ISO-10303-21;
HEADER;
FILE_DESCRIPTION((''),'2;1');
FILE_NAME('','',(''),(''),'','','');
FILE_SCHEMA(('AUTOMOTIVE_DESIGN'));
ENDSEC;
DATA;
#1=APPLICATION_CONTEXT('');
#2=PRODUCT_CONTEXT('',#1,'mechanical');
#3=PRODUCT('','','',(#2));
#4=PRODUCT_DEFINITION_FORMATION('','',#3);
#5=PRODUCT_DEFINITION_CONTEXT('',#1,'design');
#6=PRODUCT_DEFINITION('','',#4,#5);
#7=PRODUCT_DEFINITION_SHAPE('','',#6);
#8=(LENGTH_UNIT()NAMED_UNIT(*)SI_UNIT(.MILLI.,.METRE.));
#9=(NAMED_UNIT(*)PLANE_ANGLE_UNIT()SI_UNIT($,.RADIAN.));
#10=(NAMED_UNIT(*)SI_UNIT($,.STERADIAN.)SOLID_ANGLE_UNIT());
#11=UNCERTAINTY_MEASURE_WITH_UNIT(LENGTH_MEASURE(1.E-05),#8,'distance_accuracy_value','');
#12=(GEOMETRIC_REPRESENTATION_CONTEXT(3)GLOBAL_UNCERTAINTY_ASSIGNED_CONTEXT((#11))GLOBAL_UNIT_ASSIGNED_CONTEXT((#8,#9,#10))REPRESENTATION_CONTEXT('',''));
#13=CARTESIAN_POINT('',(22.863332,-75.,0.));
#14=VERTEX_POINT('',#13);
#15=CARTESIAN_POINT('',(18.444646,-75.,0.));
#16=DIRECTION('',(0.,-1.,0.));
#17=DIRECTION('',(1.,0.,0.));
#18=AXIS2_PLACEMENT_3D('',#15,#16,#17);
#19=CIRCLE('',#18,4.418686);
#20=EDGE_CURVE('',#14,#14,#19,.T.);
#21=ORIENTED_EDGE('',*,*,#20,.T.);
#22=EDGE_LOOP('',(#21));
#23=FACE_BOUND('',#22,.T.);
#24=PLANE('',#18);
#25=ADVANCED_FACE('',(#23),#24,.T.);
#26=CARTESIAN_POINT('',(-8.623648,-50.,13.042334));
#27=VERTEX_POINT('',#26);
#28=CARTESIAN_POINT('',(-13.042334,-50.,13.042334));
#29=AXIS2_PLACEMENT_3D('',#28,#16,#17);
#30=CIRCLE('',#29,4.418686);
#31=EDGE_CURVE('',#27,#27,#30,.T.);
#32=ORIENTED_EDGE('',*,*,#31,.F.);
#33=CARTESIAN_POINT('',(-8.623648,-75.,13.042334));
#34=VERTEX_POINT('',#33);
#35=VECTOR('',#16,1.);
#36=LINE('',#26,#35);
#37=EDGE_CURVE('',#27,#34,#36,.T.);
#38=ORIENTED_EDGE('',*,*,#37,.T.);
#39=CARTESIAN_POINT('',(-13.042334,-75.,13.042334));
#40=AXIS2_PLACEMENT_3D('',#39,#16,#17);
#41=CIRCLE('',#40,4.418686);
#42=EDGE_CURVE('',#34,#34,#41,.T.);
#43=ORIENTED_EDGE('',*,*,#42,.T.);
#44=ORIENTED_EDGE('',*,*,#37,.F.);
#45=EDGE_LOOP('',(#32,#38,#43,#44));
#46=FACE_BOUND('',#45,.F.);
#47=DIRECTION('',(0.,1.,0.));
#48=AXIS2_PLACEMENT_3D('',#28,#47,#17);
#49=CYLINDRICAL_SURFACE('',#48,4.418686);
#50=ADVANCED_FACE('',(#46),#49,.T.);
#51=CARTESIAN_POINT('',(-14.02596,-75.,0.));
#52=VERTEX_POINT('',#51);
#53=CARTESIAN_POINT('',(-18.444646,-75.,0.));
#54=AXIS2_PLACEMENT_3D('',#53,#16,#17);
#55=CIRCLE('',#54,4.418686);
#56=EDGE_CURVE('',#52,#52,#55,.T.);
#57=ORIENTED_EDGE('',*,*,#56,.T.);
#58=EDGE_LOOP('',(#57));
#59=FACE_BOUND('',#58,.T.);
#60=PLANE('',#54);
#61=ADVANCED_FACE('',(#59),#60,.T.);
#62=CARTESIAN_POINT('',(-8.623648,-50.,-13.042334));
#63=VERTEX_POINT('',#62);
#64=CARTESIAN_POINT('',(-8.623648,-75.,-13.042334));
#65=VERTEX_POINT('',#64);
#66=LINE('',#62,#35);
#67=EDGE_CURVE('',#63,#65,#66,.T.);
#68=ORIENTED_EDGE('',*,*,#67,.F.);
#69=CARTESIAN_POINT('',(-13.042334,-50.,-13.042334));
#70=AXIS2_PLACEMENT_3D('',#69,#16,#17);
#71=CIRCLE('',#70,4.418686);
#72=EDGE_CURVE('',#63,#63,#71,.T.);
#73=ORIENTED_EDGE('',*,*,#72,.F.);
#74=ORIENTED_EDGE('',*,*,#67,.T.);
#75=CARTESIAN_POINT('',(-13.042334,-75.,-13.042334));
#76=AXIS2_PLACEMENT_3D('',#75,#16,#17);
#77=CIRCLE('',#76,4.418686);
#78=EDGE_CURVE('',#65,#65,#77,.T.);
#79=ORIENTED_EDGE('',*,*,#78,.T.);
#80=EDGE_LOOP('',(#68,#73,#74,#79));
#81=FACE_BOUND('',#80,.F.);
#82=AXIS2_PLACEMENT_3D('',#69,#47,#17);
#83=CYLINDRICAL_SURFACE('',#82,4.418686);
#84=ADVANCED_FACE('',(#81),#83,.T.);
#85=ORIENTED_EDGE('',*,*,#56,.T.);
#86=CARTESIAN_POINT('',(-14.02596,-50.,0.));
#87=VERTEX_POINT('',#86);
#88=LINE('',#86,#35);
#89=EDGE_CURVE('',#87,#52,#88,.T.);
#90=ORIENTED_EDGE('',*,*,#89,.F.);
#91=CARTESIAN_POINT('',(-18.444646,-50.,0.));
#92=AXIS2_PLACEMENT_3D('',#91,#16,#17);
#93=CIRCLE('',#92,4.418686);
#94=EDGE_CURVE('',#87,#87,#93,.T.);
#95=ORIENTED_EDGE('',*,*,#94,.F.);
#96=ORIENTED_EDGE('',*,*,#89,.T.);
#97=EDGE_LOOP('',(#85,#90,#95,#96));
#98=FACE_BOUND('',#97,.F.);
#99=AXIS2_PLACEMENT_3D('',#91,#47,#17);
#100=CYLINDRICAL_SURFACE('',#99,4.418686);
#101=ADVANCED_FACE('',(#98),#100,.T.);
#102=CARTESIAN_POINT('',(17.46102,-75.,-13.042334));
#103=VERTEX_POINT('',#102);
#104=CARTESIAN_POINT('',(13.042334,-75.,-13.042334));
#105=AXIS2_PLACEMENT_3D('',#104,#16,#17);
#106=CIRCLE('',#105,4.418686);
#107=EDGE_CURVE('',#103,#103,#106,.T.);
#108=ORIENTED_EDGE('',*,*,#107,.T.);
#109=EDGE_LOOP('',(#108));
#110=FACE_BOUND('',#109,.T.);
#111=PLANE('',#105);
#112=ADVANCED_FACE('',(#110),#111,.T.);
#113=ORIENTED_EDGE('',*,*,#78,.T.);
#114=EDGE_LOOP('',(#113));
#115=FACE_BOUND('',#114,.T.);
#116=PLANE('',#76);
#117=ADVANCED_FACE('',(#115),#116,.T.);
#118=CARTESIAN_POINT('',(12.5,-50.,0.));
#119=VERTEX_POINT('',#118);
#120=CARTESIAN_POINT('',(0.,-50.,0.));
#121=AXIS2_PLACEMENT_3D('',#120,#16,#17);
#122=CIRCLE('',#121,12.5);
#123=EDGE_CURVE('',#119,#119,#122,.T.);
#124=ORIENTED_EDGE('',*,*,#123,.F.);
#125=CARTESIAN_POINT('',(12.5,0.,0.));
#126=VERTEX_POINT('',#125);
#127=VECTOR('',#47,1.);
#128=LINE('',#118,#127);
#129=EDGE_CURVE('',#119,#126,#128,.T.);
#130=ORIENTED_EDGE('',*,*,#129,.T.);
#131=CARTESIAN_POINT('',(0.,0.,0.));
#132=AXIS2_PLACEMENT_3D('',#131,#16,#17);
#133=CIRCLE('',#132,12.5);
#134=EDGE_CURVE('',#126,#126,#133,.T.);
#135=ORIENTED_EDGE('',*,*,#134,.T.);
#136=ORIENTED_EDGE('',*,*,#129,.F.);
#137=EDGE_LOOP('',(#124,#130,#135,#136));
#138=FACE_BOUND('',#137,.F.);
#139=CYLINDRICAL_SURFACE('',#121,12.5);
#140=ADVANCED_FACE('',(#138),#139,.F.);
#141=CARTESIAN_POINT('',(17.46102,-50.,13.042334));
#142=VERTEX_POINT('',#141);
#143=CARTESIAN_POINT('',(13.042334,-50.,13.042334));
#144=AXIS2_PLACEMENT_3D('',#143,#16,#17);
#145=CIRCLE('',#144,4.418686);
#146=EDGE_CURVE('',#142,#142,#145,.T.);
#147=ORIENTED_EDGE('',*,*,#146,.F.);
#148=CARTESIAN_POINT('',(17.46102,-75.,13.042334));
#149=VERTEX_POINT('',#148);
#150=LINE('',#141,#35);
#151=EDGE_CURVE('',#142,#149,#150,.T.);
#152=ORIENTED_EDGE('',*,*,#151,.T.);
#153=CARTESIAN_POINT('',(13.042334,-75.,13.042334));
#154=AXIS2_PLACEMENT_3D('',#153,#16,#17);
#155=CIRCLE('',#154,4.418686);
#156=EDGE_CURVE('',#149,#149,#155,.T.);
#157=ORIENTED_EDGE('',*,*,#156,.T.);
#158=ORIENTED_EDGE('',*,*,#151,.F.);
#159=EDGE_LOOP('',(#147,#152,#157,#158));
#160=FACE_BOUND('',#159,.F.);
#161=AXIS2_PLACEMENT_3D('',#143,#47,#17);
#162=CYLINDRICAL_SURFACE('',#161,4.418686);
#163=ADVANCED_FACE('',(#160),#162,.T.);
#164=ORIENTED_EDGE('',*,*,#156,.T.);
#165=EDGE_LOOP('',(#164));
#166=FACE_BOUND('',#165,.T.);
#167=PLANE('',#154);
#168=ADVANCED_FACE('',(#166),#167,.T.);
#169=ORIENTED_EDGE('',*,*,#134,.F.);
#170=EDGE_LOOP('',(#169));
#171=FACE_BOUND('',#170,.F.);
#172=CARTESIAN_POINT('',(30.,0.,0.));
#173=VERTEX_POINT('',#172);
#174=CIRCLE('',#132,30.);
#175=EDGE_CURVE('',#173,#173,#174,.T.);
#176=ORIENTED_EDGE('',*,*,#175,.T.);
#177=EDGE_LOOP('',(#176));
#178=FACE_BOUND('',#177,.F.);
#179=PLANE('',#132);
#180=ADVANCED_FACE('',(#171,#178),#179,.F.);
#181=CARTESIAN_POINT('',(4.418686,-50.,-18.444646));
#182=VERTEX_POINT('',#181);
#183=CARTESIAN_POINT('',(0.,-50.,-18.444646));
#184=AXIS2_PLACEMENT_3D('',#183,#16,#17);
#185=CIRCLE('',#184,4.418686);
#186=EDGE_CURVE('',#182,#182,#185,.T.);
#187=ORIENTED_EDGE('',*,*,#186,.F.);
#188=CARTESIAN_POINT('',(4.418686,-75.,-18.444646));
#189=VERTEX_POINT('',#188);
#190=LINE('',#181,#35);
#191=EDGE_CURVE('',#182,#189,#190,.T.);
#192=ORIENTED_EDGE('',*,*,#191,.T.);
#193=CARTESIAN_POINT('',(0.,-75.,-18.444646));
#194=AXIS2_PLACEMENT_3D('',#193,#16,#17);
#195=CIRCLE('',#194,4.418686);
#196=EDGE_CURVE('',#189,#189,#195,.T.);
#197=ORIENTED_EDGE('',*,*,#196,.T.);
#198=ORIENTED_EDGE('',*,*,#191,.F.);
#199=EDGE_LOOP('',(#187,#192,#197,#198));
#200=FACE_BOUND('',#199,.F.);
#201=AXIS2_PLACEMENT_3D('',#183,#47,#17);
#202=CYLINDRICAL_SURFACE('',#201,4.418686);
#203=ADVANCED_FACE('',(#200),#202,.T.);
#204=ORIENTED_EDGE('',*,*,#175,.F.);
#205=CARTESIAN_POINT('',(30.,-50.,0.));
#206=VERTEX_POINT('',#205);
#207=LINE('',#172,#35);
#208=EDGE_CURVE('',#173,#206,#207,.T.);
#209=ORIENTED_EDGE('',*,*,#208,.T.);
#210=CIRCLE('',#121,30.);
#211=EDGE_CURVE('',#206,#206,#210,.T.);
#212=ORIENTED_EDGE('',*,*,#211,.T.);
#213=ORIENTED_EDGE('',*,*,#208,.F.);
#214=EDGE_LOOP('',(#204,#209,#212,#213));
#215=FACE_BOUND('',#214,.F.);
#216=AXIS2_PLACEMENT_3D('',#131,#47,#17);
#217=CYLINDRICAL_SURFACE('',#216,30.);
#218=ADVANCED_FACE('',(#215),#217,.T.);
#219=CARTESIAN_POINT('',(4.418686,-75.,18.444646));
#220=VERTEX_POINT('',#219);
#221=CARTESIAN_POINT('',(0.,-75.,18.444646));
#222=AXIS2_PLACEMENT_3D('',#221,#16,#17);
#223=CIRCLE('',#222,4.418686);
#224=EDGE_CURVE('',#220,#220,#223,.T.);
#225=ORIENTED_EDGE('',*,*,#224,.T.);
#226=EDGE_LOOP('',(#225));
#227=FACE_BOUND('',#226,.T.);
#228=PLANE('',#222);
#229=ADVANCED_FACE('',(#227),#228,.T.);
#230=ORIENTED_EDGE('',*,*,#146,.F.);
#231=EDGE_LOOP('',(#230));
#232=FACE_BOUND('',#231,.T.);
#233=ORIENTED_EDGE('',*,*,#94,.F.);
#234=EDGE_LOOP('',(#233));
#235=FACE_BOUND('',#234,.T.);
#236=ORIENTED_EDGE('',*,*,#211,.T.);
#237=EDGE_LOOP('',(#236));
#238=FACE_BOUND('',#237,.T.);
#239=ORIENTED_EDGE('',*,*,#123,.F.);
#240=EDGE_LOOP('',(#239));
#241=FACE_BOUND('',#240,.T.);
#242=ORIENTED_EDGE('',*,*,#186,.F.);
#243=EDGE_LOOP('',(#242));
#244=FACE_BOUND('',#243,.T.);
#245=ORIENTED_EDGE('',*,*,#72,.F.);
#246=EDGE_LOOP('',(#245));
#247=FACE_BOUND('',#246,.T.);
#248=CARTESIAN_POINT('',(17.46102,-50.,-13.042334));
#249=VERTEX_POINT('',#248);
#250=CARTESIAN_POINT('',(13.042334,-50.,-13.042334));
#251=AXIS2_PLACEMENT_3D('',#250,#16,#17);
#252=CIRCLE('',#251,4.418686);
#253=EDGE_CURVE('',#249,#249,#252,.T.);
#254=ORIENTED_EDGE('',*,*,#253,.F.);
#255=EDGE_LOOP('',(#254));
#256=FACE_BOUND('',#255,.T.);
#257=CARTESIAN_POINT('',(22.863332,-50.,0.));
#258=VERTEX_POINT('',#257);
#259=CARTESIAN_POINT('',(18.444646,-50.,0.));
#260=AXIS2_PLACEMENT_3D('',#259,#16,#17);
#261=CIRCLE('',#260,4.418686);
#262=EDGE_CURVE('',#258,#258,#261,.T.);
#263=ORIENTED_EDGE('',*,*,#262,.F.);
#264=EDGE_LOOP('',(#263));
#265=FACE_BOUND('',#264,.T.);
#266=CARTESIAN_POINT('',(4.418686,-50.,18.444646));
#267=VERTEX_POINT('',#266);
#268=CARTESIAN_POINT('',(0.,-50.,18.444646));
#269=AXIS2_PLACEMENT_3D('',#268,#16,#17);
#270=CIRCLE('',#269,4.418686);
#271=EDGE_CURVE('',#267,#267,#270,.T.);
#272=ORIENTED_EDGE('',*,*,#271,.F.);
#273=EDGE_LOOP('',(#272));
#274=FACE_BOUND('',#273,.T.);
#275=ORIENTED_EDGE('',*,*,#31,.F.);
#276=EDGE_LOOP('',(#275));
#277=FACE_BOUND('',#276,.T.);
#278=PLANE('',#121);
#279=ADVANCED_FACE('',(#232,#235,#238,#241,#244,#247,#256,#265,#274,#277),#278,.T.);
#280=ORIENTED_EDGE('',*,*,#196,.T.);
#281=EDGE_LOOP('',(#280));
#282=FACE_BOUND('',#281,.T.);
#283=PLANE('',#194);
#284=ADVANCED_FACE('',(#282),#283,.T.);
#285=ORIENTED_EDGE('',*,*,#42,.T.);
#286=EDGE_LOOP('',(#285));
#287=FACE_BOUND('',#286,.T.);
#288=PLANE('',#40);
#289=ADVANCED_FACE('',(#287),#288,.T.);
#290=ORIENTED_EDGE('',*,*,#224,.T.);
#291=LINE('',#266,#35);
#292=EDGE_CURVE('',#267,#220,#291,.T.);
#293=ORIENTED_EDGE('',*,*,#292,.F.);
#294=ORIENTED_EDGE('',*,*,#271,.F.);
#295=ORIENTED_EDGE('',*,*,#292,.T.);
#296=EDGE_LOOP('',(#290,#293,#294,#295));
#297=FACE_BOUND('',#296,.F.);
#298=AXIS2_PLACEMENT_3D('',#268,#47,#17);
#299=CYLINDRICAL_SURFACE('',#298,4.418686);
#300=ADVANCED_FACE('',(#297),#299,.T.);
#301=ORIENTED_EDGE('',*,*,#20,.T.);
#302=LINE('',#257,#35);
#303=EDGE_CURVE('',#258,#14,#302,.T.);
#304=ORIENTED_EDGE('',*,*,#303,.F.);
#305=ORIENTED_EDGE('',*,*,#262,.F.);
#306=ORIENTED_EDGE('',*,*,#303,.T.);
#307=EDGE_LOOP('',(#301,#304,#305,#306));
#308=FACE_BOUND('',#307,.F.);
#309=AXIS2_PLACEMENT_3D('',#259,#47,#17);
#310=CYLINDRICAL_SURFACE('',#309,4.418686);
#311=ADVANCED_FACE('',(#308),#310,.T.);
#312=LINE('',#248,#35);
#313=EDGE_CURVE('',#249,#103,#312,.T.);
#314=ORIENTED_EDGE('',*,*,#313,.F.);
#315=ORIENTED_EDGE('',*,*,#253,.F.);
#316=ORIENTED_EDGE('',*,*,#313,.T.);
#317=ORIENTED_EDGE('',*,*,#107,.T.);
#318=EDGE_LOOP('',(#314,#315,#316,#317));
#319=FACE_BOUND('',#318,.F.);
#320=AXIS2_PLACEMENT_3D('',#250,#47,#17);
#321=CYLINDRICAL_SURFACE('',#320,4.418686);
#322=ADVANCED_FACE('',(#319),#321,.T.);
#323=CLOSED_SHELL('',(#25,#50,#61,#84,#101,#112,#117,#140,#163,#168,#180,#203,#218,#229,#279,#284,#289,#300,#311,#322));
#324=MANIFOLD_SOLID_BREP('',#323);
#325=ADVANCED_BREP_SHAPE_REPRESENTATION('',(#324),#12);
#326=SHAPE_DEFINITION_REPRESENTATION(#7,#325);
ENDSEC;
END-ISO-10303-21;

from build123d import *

# Parameters (mm, degrees)
F0_R     = 30
F1_DEPTH = 50
F2_R     = 12.5
F3_DEPTH = 50.001
F4_R     = 4.418686
F5_DEPTH = 25


with BuildPart() as f1:
    # F0 (on Front) → F1 (new body)
    with BuildSketch(Plane.XZ):
        Circle(F0_R)
    extrude(amount=F1_DEPTH)

    # F2 (on face) → F3 (cut, through all)
    with BuildSketch(Plane.XZ.offset(50)):
        Circle(F2_R)
    extrude(amount=-F3_DEPTH, mode=Mode.SUBTRACT)

    # F4 (on face) → F5 (join)
    with BuildSketch(Plane.XZ.offset(50)):
        with Locations((18.444646, 0)):
            Circle(F4_R)
        with Locations((13.042334, 13.042334)):
            Circle(F4_R)
        with Locations((0, 18.444646)):
            Circle(F4_R)
        with Locations((-13.042334, 13.042334)):
            Circle(F4_R)
        with Locations((-18.444646, 0)):
            Circle(F4_R)
        with Locations((-13.042334, -13.042334)):
            Circle(F4_R)
        with Locations((0, -18.444646)):
            Circle(F4_R)
        with Locations((13.042334, -13.042334)):
            Circle(F4_R)
    extrude(amount=F5_DEPTH)


solid = f1.part
